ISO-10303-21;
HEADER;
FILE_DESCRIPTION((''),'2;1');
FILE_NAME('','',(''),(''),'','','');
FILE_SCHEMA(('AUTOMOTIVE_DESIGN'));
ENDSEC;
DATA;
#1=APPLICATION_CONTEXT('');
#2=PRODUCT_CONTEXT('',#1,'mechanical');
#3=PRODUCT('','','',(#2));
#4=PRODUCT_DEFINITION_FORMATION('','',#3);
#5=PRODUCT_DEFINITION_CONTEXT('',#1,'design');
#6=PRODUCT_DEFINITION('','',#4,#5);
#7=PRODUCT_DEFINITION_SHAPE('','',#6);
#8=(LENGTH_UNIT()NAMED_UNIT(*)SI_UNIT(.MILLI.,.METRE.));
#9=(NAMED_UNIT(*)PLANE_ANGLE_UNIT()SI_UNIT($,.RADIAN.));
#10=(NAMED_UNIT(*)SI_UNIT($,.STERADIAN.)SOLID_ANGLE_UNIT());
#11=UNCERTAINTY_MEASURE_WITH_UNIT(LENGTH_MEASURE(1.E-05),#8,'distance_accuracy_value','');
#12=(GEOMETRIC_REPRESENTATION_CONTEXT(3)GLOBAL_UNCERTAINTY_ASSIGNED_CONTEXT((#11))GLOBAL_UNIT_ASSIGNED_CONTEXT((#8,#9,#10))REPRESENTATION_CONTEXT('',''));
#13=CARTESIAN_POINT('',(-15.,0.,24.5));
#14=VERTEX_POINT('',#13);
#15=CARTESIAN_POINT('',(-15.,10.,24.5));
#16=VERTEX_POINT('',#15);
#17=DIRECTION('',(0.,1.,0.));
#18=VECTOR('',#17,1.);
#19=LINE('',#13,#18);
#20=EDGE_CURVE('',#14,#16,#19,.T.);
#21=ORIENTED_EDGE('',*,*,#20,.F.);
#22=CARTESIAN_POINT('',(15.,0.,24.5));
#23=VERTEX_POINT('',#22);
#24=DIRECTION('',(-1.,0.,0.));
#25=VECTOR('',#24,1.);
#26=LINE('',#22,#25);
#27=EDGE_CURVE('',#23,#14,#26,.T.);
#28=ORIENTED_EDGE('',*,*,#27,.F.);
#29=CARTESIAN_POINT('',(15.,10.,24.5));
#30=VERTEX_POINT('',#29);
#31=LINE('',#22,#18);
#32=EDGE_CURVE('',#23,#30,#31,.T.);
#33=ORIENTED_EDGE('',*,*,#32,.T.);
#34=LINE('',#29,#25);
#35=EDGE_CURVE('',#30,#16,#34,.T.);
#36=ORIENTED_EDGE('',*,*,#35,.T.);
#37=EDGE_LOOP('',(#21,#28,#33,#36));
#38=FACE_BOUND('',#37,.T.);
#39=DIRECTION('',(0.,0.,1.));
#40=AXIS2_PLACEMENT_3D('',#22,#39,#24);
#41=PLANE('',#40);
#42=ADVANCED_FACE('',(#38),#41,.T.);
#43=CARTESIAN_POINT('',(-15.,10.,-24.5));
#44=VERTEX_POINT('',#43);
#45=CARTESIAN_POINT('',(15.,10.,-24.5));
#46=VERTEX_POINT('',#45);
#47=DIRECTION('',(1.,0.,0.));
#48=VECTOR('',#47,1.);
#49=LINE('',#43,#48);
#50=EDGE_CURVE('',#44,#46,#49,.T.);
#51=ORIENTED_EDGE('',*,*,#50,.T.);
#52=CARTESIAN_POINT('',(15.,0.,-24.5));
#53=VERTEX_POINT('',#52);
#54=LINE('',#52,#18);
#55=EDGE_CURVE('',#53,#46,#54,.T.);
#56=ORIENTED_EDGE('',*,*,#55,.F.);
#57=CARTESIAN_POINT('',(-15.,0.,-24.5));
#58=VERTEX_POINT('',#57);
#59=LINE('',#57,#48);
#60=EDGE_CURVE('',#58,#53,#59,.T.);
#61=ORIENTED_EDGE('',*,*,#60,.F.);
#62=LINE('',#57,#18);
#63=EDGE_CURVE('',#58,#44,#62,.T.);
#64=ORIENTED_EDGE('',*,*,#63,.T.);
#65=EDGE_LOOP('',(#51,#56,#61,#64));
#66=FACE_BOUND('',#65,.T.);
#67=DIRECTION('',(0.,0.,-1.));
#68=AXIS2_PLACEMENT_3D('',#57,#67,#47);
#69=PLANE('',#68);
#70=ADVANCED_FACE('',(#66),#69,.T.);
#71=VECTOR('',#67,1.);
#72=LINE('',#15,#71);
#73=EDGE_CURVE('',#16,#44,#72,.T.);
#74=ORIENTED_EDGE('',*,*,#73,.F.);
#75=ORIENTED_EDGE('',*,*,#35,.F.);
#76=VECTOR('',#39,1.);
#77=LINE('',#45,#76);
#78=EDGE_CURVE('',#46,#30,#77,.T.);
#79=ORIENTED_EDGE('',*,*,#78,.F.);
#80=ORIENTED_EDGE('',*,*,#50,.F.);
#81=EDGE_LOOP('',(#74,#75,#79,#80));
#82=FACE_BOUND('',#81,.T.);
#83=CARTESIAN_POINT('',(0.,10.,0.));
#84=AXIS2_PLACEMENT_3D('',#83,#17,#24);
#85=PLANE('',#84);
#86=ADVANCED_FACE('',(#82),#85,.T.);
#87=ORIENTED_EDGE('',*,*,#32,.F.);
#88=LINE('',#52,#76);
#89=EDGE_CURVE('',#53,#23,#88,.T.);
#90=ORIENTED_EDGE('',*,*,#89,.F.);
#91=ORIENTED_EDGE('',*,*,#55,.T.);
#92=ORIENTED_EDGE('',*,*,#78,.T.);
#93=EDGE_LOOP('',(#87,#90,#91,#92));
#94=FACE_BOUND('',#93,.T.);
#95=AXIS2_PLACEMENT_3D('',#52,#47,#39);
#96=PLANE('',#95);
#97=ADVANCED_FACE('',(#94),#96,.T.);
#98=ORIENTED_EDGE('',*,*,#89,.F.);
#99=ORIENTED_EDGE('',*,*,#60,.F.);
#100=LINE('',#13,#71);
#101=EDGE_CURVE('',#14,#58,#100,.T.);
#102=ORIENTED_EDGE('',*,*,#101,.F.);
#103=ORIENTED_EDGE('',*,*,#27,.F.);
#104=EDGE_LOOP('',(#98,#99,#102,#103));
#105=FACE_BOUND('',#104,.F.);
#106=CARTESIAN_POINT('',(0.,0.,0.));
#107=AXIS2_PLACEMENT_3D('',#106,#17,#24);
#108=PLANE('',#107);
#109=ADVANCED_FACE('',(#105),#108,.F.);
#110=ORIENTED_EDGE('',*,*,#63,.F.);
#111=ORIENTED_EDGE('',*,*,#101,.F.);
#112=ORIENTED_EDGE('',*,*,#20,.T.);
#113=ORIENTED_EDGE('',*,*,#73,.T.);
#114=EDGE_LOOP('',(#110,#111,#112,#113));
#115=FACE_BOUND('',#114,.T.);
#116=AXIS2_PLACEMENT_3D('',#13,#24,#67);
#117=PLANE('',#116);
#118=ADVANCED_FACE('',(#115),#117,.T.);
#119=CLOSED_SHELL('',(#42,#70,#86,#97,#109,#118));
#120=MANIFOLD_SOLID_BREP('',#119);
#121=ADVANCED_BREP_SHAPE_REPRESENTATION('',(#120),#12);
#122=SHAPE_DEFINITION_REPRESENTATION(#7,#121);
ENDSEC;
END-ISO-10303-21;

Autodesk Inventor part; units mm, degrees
ref_plane "YZ Plane" through (0, 0, 0) normal (1, 0, 0) x (0, 1, 0)
ref_plane "XZ Plane" through (0, 0, 0) normal (0, 1, 0) x (-1, 0, 0)
ref_plane "XY Plane" through (0, 0, 0) normal (0, 0, 1) x (1, 0, 0)
sketch "Sketch1" plane through (0, 0, 0) normal (0, 1, 0) x (-1, 0, 0)
  line L0 (-15, 24.5) -> (15, 24.5)
  line L1 (15, 24.5) -> (15, -24.5)
  line L2 (15, -24.5) -> (-15, -24.5)
  line L3 (-15, -24.5) -> (-15, 24.5)
  line L4 (-15, 24.5) -> (15, -24.5) construction
  line L5 (15, 24.5) -> (-15, -24.5) construction
  point P0 (0, 0)
  dimension "d0" = 30
  dimension "d1" = 49
extrude "Extrusion1" add sketch "Sketch1" along normal blind 10
properties part number "Temp - ESC"
